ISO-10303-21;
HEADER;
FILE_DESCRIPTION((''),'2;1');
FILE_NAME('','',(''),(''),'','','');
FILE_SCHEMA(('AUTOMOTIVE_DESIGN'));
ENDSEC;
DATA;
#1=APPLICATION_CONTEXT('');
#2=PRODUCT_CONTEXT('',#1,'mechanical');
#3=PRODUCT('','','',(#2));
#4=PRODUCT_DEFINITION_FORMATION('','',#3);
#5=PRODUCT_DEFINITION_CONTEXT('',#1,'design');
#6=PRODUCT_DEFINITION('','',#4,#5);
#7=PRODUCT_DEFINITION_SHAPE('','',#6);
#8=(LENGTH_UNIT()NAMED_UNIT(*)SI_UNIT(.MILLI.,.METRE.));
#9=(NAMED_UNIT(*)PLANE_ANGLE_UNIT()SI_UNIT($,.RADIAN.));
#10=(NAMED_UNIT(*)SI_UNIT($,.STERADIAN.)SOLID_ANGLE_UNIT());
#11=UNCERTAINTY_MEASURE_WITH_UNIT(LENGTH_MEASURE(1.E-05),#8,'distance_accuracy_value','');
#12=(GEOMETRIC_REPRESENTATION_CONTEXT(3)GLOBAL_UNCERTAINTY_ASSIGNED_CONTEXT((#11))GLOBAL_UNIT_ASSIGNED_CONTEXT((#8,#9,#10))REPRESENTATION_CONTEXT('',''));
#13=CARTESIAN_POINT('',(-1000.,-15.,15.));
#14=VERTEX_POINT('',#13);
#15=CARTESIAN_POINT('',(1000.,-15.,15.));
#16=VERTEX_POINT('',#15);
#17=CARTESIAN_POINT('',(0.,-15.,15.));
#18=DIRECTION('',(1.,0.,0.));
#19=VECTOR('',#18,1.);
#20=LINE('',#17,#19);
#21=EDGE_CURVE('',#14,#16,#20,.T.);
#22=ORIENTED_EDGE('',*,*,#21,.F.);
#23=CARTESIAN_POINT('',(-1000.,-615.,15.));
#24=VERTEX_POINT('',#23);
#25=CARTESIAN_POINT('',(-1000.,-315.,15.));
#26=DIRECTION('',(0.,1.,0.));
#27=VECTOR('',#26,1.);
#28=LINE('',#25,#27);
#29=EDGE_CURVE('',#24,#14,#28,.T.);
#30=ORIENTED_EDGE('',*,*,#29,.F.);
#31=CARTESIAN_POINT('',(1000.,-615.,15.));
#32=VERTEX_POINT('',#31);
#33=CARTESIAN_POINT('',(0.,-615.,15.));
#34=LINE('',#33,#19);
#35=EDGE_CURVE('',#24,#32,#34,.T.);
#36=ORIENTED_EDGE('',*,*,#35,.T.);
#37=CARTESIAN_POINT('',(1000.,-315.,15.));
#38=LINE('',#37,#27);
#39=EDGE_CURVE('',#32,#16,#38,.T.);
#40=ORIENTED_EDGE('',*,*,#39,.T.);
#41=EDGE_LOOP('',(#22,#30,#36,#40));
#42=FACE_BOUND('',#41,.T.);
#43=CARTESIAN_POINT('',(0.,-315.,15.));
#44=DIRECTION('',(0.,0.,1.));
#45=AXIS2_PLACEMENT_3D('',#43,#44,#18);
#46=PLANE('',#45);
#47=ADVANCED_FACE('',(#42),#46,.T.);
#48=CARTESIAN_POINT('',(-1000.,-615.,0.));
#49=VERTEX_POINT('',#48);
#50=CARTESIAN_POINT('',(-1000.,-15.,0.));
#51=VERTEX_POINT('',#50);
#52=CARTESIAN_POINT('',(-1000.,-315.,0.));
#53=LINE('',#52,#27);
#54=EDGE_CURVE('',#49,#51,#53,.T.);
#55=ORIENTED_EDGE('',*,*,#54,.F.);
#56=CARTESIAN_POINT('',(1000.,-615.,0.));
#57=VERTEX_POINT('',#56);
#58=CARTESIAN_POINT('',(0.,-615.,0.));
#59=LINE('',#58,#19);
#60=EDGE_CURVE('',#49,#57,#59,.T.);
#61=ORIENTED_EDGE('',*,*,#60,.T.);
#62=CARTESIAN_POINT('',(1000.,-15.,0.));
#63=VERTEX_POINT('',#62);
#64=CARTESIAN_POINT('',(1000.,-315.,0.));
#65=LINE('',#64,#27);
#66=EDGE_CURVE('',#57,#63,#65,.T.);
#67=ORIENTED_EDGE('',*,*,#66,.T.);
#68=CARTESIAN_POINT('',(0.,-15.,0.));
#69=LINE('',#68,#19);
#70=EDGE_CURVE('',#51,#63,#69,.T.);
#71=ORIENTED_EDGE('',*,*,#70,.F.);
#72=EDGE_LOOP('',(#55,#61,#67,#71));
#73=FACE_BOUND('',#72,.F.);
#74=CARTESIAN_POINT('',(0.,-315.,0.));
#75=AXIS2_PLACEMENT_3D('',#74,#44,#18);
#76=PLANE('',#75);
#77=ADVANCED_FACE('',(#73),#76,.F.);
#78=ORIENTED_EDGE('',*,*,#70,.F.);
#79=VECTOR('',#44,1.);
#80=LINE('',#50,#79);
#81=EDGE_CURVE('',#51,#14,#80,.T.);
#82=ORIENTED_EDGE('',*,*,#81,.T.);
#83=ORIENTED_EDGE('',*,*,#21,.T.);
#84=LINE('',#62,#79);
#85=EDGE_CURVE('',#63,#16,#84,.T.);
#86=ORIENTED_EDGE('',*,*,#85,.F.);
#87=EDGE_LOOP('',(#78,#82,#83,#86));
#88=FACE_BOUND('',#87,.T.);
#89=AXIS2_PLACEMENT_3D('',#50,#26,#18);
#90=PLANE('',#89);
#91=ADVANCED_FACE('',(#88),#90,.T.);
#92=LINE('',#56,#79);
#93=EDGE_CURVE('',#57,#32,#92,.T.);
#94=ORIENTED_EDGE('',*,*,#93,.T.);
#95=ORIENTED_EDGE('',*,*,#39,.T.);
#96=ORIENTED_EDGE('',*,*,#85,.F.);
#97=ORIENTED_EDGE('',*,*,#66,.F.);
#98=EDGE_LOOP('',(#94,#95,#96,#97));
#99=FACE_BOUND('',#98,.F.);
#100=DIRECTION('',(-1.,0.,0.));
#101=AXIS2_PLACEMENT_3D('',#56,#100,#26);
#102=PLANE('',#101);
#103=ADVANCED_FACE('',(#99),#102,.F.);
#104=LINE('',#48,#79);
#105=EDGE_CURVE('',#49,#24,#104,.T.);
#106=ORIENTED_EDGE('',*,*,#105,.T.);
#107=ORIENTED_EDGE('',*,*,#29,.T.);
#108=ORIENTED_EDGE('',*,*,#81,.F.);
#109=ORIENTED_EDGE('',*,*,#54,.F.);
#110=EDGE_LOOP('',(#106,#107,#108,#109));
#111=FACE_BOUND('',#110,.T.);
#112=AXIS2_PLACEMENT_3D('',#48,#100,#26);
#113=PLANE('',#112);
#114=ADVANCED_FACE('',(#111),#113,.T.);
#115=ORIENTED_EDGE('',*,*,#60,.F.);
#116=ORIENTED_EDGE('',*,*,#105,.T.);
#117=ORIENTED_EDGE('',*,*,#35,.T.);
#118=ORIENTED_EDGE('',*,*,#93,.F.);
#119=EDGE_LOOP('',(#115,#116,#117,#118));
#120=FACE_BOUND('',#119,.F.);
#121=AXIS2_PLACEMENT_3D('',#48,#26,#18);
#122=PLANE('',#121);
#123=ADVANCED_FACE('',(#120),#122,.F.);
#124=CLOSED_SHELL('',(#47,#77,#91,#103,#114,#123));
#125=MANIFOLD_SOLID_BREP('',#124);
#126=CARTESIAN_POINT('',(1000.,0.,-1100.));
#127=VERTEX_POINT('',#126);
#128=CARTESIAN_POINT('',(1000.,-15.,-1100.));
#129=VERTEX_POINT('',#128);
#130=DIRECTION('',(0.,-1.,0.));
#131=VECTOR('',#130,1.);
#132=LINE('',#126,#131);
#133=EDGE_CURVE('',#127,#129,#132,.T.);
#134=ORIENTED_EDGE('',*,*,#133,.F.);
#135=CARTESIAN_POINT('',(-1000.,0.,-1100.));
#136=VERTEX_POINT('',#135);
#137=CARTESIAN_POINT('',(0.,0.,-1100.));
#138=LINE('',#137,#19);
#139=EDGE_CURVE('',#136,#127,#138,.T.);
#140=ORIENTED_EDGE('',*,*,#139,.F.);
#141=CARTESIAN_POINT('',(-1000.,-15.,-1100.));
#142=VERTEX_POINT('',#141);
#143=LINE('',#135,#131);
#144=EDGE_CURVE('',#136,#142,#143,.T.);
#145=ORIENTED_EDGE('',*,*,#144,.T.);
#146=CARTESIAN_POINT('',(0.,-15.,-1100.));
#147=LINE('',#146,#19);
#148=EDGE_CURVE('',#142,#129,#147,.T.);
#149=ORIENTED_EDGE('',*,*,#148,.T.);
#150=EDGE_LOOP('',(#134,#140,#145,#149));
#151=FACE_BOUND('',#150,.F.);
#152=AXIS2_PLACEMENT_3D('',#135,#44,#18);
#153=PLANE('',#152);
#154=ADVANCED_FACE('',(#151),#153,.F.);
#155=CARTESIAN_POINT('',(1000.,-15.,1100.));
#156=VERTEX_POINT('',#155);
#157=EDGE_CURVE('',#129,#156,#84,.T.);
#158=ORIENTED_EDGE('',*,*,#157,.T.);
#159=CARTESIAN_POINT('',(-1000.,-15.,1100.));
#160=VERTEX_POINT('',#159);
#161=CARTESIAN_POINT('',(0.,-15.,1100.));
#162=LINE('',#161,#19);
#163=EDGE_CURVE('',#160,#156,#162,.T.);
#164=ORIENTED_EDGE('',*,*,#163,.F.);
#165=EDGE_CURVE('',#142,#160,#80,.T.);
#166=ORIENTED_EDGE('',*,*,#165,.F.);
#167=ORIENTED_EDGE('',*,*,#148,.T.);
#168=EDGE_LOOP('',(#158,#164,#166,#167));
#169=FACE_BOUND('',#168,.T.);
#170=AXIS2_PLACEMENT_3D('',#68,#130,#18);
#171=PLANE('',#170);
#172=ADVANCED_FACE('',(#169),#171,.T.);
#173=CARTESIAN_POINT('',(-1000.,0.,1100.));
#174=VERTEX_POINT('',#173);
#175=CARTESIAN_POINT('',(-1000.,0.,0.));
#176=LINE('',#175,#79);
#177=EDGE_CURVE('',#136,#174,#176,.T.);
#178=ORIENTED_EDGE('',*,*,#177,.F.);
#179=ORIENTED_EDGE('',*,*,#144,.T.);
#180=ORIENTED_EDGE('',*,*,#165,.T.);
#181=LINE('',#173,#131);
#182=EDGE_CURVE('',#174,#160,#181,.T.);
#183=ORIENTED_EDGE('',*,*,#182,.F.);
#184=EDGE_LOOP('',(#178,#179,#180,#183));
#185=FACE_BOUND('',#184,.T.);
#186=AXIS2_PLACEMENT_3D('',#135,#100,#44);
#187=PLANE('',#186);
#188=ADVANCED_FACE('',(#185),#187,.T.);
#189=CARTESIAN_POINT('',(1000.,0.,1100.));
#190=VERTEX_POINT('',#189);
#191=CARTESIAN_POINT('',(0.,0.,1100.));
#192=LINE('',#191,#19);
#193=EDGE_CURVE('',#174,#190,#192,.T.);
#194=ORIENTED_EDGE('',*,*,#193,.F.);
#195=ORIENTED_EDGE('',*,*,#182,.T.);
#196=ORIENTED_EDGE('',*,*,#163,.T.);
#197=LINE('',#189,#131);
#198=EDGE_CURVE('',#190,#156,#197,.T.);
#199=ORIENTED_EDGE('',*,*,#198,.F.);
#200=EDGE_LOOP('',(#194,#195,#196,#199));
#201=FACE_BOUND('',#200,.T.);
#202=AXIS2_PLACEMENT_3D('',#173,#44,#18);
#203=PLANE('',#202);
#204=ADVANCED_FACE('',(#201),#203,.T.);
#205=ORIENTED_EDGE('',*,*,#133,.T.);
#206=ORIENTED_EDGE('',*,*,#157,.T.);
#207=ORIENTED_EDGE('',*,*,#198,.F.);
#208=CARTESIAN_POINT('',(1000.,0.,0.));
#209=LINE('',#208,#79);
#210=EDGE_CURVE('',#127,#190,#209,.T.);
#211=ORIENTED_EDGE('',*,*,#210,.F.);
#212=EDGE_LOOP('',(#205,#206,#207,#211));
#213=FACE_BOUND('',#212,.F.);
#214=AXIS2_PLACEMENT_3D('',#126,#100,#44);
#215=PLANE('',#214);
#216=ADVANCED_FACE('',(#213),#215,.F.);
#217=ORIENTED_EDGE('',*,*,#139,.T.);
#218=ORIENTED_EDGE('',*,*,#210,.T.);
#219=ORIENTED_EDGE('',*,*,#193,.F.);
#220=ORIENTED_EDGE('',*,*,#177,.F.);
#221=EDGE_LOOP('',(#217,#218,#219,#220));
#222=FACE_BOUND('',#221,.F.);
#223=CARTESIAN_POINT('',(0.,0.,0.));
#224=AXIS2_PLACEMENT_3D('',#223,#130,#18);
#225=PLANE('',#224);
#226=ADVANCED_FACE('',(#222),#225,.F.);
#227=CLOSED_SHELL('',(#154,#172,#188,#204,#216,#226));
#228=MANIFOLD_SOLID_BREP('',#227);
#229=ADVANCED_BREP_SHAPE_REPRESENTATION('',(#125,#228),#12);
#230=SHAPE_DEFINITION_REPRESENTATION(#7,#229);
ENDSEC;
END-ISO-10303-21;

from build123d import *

# Parameters (mm, degrees)
F0_W     = 2000
F0_H     = 2200
F1_DEPTH = 15
F2_W     = 2000
F2_H     = 600
F3_DEPTH = 15


with BuildPart() as f1:
    # F0 (on Front) → F1 (new body)
    with BuildSketch(Plane.XZ):
        Rectangle(F0_W, F0_H)
    extrude(amount=F1_DEPTH)


with BuildPart() as f3:
    # F2 (on Top) → F3 (new body)
    with BuildSketch(Plane.XY):
        with Locations((0, -315)):
            Rectangle(F2_W, F2_H)
    extrude(amount=F3_DEPTH)


solid = Compound([f1.part, f3.part])
